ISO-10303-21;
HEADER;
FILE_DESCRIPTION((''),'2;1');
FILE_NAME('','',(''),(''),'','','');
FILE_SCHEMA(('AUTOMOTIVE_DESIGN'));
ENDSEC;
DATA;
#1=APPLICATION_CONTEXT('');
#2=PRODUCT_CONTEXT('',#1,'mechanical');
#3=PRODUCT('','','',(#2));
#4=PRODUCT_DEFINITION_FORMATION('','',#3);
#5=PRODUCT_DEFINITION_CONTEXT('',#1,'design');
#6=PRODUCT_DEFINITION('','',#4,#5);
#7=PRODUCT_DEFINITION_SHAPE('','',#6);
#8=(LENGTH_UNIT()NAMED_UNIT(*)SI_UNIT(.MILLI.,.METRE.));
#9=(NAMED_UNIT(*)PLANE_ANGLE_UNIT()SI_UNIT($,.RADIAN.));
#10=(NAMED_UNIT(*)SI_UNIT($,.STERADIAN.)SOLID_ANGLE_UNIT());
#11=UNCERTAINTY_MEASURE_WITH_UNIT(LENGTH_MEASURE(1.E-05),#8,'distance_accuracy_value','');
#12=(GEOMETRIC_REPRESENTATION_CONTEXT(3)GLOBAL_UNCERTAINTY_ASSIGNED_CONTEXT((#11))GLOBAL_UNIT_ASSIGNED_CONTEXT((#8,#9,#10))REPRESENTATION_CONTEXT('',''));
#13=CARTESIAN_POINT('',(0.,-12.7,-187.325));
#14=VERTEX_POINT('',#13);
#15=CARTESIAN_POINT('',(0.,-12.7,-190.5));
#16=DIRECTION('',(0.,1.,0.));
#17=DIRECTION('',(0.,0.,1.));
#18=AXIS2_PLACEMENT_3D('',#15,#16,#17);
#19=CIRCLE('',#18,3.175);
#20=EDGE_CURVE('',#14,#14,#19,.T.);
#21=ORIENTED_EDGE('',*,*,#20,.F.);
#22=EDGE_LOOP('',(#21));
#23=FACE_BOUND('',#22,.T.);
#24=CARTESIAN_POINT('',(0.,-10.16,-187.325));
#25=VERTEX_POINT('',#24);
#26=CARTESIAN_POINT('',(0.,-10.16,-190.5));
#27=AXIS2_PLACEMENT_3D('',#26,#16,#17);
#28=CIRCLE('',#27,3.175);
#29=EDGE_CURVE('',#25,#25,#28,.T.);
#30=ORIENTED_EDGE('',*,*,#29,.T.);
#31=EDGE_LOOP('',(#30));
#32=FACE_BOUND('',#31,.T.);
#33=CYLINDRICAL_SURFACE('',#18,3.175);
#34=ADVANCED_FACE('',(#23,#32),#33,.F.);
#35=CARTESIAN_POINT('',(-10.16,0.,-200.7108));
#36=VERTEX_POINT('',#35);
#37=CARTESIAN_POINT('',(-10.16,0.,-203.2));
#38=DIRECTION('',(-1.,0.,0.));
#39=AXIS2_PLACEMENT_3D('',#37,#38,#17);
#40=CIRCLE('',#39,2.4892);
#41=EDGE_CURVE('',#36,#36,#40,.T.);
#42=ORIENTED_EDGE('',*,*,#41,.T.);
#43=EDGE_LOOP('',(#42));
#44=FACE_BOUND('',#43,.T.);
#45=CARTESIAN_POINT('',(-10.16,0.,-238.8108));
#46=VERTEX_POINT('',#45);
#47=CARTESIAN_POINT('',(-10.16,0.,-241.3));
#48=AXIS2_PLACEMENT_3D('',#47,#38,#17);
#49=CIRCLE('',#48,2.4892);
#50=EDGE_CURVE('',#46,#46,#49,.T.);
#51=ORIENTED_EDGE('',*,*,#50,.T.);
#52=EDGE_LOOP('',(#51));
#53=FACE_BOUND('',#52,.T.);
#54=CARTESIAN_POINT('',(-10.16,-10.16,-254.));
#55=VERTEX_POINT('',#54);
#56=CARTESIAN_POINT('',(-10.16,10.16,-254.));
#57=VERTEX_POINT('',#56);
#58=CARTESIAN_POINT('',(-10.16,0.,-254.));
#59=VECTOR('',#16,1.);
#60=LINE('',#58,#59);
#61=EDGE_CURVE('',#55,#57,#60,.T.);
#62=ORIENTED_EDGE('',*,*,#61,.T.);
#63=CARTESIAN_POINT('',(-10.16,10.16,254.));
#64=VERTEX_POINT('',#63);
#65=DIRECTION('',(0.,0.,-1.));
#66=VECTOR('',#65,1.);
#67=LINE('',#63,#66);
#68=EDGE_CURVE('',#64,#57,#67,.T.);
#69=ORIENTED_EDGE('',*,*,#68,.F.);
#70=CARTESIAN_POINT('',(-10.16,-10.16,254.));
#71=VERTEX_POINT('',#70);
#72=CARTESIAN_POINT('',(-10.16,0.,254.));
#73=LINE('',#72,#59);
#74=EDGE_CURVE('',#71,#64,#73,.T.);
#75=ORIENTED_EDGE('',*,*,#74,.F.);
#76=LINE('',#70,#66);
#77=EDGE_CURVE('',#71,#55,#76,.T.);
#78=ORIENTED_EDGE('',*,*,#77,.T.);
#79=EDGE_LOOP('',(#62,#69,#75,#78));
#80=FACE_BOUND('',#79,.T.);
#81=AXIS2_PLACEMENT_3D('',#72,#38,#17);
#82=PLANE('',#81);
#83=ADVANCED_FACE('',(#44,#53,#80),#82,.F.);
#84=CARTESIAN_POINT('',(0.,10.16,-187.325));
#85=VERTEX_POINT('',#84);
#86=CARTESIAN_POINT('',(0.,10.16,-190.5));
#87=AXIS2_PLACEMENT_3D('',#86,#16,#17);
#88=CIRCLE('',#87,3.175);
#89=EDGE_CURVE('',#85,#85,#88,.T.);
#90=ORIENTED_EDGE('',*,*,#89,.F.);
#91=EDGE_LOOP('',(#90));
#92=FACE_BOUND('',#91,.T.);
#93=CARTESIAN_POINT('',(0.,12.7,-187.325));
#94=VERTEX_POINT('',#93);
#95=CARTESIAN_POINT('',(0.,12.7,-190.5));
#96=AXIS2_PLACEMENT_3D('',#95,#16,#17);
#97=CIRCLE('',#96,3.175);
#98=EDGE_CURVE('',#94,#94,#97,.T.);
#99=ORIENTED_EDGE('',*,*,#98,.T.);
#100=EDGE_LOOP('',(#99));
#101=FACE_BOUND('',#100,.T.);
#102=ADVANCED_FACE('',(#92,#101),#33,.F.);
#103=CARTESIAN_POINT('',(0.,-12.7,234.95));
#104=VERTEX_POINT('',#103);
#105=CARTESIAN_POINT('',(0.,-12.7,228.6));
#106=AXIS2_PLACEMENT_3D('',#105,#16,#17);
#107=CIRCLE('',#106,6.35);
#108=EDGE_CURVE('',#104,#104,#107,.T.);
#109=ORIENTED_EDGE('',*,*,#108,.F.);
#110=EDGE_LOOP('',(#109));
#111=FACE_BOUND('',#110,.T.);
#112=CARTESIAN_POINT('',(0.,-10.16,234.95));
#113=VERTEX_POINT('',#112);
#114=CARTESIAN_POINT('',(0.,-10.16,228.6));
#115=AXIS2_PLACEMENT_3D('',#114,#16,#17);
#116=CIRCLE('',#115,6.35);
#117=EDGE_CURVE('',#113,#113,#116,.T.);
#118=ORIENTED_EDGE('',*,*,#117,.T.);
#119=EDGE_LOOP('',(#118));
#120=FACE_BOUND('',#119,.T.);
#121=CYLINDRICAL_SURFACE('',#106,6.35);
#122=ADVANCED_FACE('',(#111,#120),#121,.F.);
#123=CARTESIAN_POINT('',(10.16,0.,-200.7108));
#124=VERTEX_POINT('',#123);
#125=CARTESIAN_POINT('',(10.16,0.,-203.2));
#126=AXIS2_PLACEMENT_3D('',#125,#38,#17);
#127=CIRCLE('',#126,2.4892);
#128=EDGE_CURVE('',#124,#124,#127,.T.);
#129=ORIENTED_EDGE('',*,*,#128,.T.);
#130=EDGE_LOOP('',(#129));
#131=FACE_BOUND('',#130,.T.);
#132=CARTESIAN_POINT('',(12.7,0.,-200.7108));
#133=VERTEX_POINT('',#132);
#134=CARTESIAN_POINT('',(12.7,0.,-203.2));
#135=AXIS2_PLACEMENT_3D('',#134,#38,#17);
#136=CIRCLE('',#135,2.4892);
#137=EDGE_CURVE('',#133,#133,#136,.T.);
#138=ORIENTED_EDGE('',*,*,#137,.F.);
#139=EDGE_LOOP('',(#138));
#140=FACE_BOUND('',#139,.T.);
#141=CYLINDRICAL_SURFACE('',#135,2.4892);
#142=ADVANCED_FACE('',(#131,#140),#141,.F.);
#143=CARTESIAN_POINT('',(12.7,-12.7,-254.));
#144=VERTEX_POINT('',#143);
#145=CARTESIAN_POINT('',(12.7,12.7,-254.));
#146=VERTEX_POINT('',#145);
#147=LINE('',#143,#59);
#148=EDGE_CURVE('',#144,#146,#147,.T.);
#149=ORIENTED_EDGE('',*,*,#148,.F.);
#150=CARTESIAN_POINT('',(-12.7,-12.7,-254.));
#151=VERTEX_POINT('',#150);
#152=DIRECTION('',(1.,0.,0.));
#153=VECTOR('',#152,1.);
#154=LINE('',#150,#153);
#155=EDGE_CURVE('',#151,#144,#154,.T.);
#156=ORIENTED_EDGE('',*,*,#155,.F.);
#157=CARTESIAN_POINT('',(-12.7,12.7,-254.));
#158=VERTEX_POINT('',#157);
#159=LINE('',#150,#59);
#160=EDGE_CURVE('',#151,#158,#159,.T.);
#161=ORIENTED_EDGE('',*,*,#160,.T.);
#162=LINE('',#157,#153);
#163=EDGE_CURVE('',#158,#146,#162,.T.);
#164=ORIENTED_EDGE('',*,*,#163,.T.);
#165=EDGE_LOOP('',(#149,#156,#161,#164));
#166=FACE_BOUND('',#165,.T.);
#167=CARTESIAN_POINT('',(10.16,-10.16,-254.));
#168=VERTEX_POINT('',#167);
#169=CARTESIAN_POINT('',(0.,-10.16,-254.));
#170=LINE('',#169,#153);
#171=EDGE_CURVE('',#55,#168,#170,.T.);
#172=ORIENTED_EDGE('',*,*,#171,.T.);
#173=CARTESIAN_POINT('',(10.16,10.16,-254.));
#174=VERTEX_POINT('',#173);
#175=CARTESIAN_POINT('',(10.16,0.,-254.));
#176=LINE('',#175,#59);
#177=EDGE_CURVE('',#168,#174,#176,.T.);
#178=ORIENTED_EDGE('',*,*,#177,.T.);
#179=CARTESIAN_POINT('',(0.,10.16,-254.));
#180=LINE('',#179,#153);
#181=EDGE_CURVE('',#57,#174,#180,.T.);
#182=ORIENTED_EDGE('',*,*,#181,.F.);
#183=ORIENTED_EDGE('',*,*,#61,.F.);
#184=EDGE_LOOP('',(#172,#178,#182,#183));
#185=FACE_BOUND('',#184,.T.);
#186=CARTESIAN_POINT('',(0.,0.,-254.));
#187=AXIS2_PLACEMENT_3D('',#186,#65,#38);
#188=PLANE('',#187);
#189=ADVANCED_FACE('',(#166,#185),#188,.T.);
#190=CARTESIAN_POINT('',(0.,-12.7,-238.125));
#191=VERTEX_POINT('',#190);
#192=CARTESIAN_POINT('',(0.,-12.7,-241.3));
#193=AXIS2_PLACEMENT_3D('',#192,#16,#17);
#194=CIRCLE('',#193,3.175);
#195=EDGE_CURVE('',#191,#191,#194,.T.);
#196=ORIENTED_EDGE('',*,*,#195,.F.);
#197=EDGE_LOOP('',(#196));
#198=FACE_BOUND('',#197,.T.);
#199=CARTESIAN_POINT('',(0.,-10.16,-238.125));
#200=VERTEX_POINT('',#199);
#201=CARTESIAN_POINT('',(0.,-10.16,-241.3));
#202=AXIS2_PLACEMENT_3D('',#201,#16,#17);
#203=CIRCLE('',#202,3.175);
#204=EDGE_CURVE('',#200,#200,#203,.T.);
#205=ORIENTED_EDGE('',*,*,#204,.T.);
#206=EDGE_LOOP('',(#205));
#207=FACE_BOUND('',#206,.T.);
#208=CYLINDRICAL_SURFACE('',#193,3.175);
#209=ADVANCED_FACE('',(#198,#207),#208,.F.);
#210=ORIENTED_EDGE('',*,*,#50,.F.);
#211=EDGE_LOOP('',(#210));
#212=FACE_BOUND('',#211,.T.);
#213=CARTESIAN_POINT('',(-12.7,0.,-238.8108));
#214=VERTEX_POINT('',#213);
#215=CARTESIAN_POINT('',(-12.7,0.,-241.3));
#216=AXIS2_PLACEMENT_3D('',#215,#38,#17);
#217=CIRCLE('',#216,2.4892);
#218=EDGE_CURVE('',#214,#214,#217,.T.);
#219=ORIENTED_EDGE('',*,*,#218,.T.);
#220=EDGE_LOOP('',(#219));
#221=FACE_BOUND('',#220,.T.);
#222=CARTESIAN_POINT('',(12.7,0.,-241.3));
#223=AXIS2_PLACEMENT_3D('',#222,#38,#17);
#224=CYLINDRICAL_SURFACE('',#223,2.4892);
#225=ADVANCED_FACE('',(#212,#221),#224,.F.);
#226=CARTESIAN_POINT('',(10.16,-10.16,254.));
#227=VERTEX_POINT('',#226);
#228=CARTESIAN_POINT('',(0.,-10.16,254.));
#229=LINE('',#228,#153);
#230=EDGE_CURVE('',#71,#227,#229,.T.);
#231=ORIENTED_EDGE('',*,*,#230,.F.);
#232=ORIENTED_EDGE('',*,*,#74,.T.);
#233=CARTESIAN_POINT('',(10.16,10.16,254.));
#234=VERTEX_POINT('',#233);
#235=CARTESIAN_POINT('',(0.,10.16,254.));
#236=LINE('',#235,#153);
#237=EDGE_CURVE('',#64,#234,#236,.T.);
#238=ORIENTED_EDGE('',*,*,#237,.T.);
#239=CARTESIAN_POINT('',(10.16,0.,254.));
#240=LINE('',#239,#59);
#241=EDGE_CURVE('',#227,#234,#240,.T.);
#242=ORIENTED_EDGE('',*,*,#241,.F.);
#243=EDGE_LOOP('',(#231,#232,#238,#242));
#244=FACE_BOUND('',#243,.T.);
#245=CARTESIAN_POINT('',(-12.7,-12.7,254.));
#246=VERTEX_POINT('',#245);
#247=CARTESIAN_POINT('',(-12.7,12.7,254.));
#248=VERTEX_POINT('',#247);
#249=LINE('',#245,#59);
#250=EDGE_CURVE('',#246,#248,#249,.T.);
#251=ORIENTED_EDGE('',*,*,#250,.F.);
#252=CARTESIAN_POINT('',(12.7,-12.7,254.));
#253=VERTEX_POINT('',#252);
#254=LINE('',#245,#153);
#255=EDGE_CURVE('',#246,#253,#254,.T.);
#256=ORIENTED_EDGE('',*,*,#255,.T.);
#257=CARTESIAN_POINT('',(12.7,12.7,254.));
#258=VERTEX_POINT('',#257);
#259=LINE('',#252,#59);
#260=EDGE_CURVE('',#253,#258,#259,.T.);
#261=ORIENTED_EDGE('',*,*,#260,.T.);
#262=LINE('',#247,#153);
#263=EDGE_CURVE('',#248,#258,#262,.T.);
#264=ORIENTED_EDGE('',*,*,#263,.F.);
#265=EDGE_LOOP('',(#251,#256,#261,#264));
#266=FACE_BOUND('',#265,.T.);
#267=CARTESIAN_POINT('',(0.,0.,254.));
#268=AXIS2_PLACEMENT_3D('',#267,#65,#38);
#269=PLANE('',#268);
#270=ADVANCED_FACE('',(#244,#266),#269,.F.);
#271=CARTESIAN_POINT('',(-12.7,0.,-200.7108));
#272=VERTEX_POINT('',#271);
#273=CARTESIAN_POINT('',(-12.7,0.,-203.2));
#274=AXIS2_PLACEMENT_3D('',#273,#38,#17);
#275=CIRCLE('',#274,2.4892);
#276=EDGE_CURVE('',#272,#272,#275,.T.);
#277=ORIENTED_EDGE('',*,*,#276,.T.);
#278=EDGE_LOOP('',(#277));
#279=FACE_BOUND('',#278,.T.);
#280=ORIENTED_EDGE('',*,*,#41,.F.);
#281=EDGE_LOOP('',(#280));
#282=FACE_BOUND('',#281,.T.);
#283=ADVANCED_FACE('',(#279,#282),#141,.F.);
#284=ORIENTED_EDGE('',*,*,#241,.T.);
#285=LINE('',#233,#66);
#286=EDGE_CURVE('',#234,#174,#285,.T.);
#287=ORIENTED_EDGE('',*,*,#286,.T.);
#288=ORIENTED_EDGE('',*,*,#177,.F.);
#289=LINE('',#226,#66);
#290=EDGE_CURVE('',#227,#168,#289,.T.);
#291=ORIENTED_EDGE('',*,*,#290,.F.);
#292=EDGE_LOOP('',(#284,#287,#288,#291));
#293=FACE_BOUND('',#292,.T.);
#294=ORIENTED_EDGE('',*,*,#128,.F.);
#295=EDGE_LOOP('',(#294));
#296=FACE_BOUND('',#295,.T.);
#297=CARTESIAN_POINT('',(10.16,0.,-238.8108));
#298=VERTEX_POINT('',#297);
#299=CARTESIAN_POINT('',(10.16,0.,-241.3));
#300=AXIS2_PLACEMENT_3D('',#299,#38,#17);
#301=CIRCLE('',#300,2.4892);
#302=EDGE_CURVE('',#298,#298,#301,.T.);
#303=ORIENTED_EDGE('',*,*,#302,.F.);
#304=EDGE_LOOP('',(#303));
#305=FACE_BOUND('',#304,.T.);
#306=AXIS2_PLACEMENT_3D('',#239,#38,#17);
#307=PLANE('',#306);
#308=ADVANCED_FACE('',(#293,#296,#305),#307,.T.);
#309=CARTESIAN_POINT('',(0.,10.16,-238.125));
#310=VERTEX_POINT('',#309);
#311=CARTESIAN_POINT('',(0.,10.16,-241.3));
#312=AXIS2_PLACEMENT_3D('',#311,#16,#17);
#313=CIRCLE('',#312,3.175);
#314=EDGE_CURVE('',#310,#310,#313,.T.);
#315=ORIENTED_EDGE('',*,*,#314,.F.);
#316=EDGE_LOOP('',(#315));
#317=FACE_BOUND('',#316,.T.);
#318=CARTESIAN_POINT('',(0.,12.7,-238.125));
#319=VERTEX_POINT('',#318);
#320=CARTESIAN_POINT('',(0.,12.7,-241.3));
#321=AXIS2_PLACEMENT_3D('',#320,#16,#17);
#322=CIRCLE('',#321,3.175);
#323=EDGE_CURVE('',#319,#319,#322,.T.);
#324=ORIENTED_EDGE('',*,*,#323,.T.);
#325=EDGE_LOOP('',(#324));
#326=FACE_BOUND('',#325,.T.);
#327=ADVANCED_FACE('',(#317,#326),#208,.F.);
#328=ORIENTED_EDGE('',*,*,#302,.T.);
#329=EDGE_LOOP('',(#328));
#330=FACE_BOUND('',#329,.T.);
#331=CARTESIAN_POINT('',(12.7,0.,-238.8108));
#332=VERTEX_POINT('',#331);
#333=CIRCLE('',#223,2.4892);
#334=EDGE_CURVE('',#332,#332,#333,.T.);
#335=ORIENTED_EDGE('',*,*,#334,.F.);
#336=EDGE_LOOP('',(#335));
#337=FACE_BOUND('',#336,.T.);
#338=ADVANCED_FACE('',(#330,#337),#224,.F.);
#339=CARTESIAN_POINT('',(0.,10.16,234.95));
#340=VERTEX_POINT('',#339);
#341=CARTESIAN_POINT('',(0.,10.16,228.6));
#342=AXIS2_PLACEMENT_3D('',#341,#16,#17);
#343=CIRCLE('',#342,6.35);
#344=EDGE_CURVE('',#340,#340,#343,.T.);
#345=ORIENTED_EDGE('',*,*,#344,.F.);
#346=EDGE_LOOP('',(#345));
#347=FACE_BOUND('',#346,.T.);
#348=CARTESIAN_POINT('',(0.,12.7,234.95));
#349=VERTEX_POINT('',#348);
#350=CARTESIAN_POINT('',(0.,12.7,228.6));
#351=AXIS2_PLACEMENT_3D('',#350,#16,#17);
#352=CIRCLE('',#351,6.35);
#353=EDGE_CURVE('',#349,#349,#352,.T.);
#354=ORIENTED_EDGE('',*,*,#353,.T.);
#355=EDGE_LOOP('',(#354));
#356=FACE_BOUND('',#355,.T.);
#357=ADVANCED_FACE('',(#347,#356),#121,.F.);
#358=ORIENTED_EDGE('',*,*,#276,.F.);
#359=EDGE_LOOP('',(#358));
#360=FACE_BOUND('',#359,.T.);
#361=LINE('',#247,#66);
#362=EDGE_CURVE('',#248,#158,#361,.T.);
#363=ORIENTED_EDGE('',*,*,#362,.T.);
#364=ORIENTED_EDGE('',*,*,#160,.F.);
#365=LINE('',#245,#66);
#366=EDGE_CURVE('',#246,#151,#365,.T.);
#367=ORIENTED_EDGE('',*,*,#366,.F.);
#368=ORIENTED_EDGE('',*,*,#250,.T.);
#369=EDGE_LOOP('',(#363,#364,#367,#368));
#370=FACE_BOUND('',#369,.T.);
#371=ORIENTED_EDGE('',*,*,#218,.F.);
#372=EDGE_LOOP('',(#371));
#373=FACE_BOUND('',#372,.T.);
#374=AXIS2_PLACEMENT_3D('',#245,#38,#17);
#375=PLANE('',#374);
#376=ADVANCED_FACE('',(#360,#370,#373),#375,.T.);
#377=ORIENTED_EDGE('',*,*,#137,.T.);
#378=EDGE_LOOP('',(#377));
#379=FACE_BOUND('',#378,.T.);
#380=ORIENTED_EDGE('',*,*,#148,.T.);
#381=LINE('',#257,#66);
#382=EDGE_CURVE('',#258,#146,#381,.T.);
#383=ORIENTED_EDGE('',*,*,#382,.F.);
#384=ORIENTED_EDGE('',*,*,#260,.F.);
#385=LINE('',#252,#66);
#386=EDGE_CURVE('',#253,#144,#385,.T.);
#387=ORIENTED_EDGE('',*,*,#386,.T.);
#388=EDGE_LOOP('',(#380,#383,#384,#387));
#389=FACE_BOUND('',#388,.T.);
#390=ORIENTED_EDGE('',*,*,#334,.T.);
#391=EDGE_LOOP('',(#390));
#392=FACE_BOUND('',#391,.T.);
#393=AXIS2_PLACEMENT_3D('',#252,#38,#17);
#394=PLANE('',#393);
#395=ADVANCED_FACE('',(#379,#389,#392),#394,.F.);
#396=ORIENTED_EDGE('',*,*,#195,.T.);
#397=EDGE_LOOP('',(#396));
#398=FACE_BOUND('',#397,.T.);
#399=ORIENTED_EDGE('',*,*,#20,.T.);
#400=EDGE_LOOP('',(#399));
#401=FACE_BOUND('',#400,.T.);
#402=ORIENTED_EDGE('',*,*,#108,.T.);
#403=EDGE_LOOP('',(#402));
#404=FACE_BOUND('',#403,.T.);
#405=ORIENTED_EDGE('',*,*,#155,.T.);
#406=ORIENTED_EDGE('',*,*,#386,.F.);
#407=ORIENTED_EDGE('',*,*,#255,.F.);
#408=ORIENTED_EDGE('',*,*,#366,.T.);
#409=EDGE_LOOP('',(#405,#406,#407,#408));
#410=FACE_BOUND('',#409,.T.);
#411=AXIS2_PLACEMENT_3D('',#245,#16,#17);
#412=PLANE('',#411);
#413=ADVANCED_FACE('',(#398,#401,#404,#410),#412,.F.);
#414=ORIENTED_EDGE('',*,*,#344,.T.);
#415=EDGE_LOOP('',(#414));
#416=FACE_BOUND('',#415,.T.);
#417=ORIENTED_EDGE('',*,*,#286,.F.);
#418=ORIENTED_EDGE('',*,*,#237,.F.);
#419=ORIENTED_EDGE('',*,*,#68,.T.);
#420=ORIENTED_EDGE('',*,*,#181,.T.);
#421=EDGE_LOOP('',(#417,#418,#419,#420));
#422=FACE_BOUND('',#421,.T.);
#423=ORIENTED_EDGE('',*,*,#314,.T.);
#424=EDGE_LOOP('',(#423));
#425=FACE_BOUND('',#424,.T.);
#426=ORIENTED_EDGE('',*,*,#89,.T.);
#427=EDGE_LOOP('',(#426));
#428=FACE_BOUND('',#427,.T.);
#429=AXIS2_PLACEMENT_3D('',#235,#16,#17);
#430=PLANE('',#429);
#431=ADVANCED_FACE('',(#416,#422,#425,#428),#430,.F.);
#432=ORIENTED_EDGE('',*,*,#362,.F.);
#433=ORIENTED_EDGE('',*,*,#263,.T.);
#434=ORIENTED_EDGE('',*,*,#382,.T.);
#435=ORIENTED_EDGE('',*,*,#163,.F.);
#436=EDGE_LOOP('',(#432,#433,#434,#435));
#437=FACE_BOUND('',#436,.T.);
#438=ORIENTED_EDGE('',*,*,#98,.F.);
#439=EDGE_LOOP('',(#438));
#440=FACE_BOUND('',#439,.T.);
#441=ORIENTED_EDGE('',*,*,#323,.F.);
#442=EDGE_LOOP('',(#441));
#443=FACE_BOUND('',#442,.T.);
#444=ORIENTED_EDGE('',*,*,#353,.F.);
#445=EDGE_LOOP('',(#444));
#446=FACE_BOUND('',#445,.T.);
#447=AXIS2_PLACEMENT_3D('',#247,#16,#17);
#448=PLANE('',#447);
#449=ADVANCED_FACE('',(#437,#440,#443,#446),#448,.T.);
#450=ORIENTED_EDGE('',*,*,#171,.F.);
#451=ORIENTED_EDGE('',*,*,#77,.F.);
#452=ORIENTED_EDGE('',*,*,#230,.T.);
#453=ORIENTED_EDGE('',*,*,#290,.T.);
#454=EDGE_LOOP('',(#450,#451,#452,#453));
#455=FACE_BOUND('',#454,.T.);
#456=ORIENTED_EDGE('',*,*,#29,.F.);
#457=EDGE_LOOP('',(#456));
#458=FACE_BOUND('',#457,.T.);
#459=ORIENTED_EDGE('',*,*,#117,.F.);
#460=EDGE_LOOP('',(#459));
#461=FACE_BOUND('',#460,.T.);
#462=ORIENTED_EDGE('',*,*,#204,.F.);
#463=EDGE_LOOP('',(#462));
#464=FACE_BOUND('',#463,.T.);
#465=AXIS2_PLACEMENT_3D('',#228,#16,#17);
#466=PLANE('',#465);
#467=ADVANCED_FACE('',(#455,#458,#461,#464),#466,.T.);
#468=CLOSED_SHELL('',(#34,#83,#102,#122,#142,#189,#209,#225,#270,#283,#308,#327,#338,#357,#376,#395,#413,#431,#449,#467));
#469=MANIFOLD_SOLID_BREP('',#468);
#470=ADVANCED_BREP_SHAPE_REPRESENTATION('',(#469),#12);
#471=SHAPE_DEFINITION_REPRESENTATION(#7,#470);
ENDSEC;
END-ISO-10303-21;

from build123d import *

# Parameters (mm, degrees)
SKETCH1_W           = 25.4
SKETCH1_H           = 25.4
SKETCH1_W_2         = 20.32
SKETCH1_H_2         = 20.32
EXTRUDE_THIN1_DEPTH = 254
SKETCH2_R           = 3.175
CUT_EXTRUDE1_DEPTH  = 26.4
SKETCH3_R           = 6.35
CUT_EXTRUDE2_DEPTH  = 26.4
SKETCH4_R           = 2.4892
CUT_EXTRUDE3_DEPTH  = 26.4


with BuildPart() as part:
    # Sketch1 → Extrude-Thin1 (new body, symmetric)
    with BuildSketch(Plane.XY):
        Rectangle(SKETCH1_W, SKETCH1_H)
        Rectangle(SKETCH1_W_2, SKETCH1_H_2, mode=Mode.SUBTRACT)
    extrude(amount=EXTRUDE_THIN1_DEPTH, both=True)

    # Sketch2 → Cut-Extrude1 (cut, through all)
    with BuildSketch(Plane(origin=(0, 12.7, 0), x_dir=(1, 0, 0), z_dir=(0, 1, 0))):
        with Locations((0, 241.3)):
            Circle(SKETCH2_R)
        with Locations((0, 190.5)):
            Circle(SKETCH2_R)
    extrude(amount=-CUT_EXTRUDE1_DEPTH, mode=Mode.SUBTRACT)

    # Sketch3 → Cut-Extrude2 (cut, through all)
    with BuildSketch(Plane(origin=(0, 12.7, 0), x_dir=(1, 0, 0), z_dir=(0, 1, 0))):
        with Locations((0, -228.6)):
            Circle(SKETCH3_R)
    extrude(amount=-CUT_EXTRUDE2_DEPTH, mode=Mode.SUBTRACT)

    # Sketch4 → Cut-Extrude3 (cut, through all)
    with BuildSketch(Plane.ZY.offset(12.7)):
        with Locations((-241.3, 0)):
            Circle(SKETCH4_R)
        with Locations((-203.2, 0)):
            Circle(SKETCH4_R)
    extrude(amount=-CUT_EXTRUDE3_DEPTH, mode=Mode.SUBTRACT)


solid = part.part
